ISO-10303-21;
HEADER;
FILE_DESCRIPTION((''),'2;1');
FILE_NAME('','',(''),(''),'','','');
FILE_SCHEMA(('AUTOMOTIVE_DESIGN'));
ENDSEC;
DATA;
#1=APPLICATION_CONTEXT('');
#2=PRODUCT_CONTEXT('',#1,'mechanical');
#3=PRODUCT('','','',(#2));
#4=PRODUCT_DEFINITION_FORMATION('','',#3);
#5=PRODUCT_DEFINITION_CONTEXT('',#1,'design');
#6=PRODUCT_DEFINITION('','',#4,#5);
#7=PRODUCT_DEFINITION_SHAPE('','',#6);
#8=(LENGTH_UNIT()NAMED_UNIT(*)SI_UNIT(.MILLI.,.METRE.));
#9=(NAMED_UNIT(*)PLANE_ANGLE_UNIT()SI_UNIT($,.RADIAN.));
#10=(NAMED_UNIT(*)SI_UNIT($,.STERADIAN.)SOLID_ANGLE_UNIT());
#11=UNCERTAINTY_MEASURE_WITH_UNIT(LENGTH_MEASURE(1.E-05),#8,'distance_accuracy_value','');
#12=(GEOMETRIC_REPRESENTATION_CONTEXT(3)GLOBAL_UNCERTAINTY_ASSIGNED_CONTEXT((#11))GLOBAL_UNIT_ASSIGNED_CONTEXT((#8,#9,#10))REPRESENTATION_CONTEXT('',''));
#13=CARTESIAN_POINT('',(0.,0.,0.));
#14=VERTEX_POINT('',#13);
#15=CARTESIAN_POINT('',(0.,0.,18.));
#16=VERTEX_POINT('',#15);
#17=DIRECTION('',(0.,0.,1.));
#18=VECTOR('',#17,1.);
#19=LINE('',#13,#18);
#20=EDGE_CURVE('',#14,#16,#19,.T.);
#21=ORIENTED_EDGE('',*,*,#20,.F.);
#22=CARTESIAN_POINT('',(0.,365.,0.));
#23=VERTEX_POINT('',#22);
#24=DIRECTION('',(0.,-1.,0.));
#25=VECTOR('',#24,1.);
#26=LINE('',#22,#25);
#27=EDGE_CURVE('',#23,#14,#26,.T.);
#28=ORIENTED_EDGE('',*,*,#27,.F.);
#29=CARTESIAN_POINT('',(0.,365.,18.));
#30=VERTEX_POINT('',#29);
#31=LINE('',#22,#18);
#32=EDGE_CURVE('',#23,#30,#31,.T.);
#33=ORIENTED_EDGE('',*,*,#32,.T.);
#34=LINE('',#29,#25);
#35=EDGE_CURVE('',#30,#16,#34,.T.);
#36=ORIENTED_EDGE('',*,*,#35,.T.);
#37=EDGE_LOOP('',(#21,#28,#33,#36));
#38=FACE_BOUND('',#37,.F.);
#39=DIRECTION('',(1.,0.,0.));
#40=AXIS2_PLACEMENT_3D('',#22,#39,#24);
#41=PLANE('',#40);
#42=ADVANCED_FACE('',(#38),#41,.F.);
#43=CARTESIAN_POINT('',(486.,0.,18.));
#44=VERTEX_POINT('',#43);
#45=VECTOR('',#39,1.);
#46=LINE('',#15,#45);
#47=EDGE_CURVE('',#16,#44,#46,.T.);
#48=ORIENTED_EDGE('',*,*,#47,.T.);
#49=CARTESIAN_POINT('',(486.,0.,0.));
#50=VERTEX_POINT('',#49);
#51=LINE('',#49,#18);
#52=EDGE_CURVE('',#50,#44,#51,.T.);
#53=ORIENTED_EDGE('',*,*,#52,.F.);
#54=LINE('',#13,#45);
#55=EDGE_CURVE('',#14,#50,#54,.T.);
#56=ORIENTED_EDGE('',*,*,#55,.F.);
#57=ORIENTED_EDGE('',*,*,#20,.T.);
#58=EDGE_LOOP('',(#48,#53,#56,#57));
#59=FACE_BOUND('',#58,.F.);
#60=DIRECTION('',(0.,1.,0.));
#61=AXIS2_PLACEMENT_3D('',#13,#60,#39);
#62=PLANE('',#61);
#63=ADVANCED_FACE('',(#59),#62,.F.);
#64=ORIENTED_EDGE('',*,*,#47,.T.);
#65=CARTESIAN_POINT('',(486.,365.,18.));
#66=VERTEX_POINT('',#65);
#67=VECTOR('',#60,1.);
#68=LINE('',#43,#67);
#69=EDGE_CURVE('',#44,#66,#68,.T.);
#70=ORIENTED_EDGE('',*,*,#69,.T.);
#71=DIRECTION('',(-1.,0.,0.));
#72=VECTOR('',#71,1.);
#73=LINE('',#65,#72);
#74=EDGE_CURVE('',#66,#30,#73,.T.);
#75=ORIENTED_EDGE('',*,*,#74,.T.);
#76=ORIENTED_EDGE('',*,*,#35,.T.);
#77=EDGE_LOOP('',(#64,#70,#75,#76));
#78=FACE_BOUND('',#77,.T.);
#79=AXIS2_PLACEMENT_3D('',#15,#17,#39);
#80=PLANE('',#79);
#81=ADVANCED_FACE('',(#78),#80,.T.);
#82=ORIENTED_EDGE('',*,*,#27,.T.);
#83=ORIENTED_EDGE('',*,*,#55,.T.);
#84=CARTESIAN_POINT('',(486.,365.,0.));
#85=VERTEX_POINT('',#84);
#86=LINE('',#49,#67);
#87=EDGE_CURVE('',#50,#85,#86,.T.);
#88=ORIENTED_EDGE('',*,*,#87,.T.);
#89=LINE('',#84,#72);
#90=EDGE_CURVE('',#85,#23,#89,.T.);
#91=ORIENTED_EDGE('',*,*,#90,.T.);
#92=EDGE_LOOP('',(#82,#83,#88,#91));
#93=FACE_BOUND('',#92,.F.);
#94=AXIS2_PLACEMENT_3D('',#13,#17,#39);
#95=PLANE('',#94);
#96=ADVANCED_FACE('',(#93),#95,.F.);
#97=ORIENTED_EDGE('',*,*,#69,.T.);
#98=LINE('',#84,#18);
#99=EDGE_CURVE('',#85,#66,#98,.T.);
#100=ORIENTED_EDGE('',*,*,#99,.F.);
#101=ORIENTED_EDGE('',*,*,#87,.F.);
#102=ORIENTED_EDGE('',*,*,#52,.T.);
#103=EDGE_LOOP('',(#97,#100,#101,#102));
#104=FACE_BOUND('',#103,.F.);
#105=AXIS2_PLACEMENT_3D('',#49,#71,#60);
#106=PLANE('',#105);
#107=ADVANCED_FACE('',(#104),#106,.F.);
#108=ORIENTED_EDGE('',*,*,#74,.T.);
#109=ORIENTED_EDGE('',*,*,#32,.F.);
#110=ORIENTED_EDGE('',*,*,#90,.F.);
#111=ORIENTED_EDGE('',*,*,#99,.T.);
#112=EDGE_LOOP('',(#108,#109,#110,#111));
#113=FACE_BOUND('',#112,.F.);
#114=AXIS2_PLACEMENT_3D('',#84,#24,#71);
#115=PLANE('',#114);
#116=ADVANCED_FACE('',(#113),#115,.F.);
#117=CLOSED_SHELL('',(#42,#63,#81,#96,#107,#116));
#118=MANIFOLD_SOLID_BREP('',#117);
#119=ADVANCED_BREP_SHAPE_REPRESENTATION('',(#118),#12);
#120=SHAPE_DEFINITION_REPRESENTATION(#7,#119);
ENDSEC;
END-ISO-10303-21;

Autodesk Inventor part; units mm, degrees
ref_plane "YZ Plane" through (0, 0, 0) normal (1, 0, 0) x (0, 1, 0)
ref_plane "XZ Plane" through (0, 0, 0) normal (0, 1, 0) x (-1, 0, 0)
ref_plane "XY Plane" through (0, 0, 0) normal (0, 0, 1) x (1, 0, 0)
sketch "Sketch1" plane through (0, 0, 0) normal (0, 0, 1) x (1, 0, 0)
  line L0 (0, 0) -> (486, 0)
  line L1 (486, 0) -> (486, 365)
  line L2 (486, 365) -> (0, 365)
  line L3 (0, 365) -> (0, 0)
  dimension "d0" = 486
  dimension "d1" = 365
extrude "Extrusion1" add sketch "Sketch1" along normal blind 18
sketch "Sketch2" plane through (0, 0, 18) normal (0, 0, 1) x (1, 0, 0)
  line L0 (100, 50) -> (315, 50)
  line L1 (315, 50) -> (315, 350)
  line L2 (315, 350) -> (100, 350)
  line L3 (100, 350) -> (100, 50)
  line L4 (486, 365) -> (0, 365) projected
  line L5 (0, 365) -> (0, 0) projected
  dimension "d4" = 300
  dimension "d6" = 215
  dimension "d7" = 15
  dimension "d8" = 100
  dimension "d9" = 486
  dimension "d10" = 365
properties part number "base"
